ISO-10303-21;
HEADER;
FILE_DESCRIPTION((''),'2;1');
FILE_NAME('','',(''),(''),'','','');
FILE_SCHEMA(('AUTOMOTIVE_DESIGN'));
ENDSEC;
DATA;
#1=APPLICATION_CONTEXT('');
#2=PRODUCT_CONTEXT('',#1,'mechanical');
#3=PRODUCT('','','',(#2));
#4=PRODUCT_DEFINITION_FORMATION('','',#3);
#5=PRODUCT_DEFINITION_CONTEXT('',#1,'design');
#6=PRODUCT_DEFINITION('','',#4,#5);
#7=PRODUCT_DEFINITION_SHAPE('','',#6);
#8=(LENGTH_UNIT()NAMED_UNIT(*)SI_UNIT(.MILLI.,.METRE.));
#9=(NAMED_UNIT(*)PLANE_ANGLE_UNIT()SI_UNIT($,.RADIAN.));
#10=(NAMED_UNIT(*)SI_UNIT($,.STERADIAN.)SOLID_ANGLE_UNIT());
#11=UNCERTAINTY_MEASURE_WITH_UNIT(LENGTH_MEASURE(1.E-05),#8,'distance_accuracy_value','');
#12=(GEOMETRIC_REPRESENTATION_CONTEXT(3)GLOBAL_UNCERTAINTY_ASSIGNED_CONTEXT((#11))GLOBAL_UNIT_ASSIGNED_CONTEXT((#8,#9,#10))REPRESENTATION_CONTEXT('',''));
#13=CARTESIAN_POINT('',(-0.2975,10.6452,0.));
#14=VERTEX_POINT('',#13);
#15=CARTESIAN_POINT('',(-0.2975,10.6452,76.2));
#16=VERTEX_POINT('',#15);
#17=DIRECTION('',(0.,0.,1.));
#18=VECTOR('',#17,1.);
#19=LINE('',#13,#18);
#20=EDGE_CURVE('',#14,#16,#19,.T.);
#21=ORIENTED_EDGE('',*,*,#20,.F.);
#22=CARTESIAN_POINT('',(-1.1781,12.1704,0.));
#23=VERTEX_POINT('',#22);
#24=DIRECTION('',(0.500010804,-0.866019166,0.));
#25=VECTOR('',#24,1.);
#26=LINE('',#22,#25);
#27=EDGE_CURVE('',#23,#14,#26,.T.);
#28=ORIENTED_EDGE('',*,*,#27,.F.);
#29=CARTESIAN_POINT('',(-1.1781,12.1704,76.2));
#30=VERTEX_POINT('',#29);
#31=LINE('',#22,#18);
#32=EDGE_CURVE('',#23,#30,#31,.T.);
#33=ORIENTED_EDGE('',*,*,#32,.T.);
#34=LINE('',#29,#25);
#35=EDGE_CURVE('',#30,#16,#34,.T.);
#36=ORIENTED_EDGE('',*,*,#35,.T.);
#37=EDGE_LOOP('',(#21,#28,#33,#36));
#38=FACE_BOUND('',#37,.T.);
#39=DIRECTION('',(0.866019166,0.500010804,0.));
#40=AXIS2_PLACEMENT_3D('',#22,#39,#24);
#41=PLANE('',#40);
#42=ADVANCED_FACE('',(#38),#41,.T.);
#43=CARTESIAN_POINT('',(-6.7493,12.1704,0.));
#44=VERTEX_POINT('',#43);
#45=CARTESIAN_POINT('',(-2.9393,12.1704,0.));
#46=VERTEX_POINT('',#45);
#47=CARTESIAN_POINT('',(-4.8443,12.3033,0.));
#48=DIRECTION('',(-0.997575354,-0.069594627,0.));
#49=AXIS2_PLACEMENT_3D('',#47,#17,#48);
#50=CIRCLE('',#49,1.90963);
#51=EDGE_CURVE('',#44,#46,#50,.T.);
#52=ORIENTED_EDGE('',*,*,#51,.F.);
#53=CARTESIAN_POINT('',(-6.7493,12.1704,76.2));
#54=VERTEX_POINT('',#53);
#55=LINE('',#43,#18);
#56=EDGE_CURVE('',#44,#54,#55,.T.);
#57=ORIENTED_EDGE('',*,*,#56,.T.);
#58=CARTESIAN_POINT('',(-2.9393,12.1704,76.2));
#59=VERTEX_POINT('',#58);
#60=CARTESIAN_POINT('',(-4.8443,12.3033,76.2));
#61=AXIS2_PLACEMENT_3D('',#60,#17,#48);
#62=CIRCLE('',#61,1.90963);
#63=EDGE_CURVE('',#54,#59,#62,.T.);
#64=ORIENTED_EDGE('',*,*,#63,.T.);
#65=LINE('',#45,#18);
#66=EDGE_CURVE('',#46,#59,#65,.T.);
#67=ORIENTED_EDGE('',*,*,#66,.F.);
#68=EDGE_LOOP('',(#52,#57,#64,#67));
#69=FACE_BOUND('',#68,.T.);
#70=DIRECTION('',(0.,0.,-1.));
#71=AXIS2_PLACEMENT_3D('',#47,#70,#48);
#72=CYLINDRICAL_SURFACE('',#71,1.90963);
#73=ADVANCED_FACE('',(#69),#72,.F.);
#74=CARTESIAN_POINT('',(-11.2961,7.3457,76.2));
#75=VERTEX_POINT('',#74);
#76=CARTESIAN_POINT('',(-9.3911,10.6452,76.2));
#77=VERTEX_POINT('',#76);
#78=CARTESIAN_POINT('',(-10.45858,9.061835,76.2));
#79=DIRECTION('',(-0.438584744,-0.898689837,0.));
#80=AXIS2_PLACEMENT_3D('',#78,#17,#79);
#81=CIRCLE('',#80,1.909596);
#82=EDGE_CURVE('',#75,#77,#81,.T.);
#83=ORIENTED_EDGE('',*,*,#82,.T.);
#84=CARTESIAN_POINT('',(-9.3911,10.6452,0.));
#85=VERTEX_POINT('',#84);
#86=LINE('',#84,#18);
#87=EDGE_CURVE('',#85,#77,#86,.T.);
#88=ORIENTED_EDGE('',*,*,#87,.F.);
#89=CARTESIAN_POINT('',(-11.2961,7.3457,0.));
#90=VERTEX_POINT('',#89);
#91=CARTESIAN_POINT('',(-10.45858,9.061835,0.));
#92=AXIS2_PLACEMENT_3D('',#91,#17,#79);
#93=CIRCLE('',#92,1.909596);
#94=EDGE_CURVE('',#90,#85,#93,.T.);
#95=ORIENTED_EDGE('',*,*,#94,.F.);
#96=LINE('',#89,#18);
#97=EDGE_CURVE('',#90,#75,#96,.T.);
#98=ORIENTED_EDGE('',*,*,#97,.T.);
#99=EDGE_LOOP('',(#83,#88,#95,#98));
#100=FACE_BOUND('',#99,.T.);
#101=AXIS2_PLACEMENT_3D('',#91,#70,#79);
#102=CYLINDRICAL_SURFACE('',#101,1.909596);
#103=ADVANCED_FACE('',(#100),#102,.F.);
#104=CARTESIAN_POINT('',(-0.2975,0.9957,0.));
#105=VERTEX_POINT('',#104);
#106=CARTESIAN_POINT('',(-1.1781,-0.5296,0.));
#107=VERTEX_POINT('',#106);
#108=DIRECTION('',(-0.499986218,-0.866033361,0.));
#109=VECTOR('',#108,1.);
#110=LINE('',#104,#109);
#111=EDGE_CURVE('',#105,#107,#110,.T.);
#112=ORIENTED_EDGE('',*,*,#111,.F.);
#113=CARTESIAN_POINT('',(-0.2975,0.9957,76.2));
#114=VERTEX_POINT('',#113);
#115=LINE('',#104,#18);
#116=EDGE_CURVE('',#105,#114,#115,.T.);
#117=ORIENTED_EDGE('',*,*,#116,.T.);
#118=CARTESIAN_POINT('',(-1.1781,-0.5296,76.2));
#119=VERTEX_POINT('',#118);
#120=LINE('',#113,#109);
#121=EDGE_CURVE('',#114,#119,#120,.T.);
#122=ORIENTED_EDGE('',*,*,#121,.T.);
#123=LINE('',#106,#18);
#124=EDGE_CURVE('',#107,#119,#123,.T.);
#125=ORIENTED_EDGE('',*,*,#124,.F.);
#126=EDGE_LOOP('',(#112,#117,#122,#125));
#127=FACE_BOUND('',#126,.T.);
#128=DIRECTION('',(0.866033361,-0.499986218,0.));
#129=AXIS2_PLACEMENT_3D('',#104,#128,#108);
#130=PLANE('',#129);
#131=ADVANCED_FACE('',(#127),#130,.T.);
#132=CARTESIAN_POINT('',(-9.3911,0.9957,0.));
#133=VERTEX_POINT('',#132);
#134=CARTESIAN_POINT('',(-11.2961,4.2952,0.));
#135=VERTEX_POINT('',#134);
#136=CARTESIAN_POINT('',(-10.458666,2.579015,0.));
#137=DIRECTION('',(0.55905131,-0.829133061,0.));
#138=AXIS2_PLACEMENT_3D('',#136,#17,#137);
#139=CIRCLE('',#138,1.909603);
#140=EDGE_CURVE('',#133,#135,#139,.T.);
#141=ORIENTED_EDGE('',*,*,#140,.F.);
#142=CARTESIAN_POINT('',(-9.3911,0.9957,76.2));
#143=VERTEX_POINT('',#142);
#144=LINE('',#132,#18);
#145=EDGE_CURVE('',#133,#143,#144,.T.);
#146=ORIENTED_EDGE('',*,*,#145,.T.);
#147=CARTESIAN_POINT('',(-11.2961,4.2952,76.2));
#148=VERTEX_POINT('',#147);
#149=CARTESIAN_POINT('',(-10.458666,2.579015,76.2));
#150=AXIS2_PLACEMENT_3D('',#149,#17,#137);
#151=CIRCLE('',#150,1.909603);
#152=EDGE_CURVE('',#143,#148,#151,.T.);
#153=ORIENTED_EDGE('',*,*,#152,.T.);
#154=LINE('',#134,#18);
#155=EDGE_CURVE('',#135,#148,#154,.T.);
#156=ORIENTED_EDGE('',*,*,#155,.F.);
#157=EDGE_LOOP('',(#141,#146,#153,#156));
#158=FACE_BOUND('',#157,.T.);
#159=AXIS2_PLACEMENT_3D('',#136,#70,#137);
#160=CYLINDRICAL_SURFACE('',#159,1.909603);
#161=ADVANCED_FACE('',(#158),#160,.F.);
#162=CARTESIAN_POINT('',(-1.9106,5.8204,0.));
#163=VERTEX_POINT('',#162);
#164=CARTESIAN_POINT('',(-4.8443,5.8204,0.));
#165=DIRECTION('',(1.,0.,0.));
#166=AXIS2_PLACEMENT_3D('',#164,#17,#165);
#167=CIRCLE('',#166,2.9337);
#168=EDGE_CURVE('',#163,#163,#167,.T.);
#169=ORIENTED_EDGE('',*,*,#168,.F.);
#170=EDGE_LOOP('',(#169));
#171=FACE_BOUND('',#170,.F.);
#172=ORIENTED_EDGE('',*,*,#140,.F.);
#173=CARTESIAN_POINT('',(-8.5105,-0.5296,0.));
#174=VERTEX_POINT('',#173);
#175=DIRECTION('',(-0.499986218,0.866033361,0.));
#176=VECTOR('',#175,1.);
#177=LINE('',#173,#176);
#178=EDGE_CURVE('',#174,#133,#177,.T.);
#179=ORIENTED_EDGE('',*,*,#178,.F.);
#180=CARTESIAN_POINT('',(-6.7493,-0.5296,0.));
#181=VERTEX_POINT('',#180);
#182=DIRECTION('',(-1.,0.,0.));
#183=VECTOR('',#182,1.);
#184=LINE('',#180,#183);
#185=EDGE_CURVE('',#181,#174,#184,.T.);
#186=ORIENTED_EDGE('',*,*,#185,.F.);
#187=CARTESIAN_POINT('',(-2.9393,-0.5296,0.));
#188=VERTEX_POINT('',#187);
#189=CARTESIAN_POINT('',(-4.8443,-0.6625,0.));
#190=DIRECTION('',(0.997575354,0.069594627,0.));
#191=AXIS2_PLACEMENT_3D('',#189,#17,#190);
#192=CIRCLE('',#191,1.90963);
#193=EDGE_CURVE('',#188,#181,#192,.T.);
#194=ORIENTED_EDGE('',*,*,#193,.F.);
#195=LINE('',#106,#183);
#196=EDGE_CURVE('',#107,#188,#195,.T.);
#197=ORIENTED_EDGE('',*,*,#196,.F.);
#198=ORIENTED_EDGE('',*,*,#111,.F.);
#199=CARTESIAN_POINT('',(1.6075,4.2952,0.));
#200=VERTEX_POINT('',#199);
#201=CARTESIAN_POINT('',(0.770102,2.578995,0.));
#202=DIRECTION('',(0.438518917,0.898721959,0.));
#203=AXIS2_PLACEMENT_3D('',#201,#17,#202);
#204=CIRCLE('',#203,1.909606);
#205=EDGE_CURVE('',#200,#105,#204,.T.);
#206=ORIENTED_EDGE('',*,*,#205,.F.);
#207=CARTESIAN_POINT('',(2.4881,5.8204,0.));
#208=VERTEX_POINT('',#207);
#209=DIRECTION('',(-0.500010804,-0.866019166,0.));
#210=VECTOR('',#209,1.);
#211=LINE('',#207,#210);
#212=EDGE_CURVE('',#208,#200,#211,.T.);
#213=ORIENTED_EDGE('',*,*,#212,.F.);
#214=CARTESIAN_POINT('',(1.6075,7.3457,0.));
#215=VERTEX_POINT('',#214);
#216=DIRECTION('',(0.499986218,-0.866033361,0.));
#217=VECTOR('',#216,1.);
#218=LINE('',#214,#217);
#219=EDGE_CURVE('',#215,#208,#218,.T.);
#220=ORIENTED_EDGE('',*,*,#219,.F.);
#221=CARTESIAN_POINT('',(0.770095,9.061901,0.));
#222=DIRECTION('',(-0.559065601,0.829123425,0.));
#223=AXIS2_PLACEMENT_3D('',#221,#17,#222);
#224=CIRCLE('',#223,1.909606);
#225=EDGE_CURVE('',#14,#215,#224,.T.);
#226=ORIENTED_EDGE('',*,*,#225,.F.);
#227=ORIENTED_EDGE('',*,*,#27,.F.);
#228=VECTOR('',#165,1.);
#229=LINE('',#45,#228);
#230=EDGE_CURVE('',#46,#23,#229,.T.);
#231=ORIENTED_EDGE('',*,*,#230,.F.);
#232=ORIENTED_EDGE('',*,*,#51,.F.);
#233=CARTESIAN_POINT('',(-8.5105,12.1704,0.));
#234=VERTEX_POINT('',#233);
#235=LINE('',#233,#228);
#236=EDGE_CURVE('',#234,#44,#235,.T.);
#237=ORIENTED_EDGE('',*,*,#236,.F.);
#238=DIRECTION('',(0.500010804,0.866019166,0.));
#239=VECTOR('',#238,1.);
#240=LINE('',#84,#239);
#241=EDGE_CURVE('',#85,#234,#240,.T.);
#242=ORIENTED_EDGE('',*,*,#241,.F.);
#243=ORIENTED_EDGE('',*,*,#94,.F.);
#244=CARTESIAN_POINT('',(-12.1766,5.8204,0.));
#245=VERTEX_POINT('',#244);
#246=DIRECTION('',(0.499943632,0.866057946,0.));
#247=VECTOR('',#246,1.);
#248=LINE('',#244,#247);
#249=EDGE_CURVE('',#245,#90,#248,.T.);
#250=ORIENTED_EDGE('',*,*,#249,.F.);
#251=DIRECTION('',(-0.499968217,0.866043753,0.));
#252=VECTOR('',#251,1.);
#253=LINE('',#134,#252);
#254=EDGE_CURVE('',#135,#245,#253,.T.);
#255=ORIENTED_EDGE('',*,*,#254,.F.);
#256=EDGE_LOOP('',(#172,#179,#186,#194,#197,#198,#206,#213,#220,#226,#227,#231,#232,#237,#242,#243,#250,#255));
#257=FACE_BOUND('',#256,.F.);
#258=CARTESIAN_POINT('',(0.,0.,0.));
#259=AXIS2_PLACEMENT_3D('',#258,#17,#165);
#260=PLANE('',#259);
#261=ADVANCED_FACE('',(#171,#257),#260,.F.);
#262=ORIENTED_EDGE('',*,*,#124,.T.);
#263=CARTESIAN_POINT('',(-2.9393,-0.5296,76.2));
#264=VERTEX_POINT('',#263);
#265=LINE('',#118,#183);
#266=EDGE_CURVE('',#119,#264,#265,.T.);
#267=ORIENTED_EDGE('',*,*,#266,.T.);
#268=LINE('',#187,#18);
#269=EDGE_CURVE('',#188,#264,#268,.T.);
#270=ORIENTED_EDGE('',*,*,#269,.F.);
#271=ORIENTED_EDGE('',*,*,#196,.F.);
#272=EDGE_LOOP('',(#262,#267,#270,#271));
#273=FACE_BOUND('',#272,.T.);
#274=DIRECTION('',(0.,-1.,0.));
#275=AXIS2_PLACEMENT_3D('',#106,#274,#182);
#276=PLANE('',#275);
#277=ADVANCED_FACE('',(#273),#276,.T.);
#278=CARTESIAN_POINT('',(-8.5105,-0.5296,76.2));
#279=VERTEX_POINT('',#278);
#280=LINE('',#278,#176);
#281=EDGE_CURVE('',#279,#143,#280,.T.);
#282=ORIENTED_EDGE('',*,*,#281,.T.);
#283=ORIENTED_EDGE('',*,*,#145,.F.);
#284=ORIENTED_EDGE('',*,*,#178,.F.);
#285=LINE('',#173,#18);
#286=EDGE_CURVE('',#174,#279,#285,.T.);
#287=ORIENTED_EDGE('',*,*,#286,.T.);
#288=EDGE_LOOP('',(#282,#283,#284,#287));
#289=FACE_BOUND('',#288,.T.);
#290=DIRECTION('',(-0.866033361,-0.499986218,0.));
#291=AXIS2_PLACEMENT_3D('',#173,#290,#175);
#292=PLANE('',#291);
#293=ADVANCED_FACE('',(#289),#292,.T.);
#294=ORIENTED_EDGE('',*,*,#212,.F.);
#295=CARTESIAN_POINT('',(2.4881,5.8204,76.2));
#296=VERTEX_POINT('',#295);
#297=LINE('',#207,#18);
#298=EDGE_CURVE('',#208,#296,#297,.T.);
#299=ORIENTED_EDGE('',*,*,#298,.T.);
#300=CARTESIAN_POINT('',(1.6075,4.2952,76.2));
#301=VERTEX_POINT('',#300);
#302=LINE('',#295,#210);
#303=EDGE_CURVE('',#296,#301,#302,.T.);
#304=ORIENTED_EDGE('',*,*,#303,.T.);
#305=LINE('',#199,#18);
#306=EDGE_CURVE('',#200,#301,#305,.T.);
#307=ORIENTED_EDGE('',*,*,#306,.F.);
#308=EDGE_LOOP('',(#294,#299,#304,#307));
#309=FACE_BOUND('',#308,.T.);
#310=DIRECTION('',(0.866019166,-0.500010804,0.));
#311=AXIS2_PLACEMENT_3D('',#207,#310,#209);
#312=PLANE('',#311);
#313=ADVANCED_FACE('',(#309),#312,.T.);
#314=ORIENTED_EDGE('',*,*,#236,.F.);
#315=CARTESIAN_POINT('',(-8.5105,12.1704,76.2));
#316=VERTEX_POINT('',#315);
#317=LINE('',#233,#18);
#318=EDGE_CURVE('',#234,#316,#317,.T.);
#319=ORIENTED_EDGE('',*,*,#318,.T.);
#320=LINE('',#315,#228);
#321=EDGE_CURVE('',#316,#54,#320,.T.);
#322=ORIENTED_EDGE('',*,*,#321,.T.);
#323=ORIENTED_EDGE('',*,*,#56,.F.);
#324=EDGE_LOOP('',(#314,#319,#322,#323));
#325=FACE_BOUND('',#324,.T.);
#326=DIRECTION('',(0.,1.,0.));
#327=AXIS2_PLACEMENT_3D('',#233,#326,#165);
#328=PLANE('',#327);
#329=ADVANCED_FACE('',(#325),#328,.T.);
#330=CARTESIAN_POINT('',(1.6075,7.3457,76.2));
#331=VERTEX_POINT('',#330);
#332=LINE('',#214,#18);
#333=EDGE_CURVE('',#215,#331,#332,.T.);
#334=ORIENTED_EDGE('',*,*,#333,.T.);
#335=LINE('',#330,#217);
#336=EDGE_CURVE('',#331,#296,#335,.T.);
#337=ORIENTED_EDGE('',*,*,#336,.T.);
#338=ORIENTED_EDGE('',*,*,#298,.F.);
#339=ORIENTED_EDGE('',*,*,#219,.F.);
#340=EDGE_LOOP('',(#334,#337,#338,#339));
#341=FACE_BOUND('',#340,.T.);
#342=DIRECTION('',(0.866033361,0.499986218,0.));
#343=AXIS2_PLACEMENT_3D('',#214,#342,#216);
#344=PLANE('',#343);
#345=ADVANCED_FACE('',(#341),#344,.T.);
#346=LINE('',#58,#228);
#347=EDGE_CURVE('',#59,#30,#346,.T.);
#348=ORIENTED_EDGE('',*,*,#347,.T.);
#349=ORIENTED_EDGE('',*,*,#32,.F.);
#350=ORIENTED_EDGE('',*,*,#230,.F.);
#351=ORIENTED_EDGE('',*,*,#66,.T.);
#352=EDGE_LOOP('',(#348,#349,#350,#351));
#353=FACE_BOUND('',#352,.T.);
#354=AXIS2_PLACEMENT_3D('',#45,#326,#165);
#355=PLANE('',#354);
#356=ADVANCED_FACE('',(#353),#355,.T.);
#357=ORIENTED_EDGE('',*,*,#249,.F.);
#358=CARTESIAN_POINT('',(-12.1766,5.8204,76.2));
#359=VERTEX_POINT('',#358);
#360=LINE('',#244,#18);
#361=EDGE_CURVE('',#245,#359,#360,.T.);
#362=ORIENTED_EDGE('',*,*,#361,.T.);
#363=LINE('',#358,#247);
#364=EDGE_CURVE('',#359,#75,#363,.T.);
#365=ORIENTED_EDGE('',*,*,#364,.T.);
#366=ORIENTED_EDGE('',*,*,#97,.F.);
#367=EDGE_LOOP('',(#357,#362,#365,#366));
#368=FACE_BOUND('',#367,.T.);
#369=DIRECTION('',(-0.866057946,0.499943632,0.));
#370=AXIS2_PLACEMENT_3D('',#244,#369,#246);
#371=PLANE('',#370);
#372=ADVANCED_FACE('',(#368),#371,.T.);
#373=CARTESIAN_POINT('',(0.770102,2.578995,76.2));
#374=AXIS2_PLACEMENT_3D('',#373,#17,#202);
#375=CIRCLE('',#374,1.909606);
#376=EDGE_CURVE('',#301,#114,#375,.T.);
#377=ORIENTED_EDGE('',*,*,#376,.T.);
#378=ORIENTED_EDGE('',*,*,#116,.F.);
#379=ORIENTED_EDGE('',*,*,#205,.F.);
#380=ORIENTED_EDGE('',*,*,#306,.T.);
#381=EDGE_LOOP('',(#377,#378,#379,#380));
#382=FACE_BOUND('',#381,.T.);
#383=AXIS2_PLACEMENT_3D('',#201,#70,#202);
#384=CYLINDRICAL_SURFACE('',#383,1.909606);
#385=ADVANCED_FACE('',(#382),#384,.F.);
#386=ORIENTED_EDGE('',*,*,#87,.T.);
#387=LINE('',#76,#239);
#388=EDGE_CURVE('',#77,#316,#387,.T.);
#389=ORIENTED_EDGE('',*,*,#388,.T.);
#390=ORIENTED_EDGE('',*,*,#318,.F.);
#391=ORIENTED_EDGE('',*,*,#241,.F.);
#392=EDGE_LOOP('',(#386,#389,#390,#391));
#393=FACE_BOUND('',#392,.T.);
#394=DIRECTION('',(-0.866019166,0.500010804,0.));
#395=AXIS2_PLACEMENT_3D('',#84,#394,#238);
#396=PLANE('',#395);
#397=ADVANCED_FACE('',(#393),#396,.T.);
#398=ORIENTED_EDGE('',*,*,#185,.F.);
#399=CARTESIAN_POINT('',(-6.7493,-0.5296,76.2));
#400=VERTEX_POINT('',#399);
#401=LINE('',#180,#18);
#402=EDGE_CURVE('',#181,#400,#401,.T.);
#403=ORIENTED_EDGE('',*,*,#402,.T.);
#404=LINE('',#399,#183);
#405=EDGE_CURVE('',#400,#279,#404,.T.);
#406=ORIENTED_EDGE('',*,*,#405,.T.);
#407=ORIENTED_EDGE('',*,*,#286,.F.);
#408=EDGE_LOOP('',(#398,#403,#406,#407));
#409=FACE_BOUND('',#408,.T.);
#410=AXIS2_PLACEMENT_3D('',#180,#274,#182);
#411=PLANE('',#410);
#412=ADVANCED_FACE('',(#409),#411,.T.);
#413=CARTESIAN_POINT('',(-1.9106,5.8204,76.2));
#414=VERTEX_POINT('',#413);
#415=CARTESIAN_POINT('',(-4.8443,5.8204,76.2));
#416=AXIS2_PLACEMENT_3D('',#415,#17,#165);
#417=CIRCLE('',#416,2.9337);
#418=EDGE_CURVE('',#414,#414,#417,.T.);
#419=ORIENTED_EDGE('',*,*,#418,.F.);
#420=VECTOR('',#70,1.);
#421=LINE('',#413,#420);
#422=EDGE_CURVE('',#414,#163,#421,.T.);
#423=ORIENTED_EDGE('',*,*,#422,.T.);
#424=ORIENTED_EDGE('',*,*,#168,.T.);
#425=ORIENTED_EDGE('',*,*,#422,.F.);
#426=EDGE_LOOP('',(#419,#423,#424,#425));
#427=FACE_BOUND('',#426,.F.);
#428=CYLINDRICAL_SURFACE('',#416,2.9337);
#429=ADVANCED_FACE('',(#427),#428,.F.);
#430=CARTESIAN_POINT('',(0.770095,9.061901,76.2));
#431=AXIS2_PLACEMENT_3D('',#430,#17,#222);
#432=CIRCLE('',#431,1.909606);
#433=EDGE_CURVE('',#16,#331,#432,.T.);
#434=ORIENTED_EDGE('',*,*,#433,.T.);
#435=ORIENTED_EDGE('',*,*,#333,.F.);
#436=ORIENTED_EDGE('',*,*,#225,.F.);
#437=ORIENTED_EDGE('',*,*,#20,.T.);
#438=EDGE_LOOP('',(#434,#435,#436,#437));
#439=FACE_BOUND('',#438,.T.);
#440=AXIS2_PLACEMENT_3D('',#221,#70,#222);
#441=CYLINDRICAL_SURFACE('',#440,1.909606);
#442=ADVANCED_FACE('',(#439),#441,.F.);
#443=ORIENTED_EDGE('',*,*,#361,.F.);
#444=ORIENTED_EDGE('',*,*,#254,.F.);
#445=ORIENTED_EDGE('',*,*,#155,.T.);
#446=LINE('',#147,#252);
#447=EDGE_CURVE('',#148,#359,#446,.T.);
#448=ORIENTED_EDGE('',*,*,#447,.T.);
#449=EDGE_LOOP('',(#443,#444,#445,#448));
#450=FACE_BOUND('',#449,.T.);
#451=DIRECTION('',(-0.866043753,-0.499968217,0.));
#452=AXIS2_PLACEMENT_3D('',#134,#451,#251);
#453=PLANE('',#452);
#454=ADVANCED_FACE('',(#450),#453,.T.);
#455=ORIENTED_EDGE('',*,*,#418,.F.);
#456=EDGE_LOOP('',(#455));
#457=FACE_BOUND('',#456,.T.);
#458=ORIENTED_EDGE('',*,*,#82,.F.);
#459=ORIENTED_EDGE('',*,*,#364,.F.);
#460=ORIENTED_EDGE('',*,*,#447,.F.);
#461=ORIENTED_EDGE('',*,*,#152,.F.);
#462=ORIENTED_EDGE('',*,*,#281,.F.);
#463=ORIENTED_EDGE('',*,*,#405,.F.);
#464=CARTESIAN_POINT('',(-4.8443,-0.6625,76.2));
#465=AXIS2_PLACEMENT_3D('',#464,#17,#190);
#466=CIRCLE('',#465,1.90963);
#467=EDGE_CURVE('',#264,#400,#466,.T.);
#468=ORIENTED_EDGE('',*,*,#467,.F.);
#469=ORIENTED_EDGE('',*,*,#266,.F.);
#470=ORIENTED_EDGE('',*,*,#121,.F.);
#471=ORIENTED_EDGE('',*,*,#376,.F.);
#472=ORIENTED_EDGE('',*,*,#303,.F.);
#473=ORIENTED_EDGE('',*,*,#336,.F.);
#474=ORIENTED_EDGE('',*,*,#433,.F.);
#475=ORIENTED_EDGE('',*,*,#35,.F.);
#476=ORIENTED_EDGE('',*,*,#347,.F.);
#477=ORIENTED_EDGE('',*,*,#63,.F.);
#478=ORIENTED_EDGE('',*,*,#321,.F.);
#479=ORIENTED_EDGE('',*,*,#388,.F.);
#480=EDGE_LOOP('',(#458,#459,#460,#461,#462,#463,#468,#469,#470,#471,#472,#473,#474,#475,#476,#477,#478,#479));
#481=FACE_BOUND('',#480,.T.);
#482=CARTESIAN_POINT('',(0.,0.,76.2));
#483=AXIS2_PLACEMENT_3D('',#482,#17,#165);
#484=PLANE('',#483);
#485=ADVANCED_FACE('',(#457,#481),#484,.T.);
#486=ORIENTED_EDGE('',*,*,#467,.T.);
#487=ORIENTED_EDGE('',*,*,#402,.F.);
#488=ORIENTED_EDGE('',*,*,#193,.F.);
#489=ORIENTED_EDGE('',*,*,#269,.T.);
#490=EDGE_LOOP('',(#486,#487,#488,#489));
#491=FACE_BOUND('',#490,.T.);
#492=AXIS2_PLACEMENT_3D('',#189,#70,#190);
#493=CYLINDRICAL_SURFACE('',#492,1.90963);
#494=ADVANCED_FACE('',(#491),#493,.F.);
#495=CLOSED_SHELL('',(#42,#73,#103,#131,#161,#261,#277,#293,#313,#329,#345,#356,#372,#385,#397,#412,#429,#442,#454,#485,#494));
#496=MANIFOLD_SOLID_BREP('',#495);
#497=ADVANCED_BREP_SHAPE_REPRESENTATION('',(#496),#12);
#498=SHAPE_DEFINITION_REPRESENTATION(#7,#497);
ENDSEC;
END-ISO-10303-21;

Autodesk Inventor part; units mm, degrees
ref_plane "YZ Plane" through (0, 0, 0) normal (1, 0, 0) x (0, 1, 0)
ref_plane "XZ Plane" through (0, 0, 0) normal (0, 1, 0) x (-1, 0, 0)
ref_plane "XY Plane" through (0, 0, 0) normal (0, 0, 1) x (1, 0, 0)
sketch "Sketch1" plane through (0, 0, 0) normal (0, 0, 1) x (1, 0, 0)
  circle A0 centre (-4.8443, 5.8204) radius 6.35 construction
  arc A1 (-6.7493, 12.1704) -> (-2.9393, 12.1704) centre (-4.8443, 12.3033) ccw
  line L0 (-8.5105, 12.1704) -> (-6.7493, 12.1704)
  line L1 (-2.9393, 12.1704) -> (-1.1781, 12.1704)
  arc A2 (-0.2975, 10.6452) -> (1.6075, 7.3457) centre (0.7701, 9.0619) ccw
  arc A3 (1.6075, 4.2952) -> (-0.2975, 0.9957) centre (0.7701, 2.579) ccw
  arc A4 (-2.9393, -0.5296) -> (-6.7493, -0.5296) centre (-4.8443, -0.6625) ccw
  arc A5 (-9.3911, 0.9957) -> (-11.2961, 4.2952) centre (-10.4586, 2.579) ccw
  arc A6 (-11.2961, 7.3457) -> (-9.3911, 10.6452) centre (-10.4586, 9.0619) ccw
  line L2 (-12.1766, 5.8204) -> (-11.2961, 7.3457)
  line L3 (-8.5105, -0.5296) -> (-9.3911, 0.9957)
  line L4 (-1.1781, -0.5296) -> (-2.9393, -0.5296)
  line L5 (2.4881, 5.8204) -> (1.6075, 4.2952)
  line L6 (-1.1781, 12.1704) -> (-0.2975, 10.6452)
  line L7 (-9.3911, 10.6452) -> (-8.5105, 12.1704)
  line L8 (-11.2961, 4.2952) -> (-12.1766, 5.8204)
  line L9 (-6.7493, -0.5296) -> (-8.5105, -0.5296)
  line L10 (-0.2975, 0.9957) -> (-1.1781, -0.5296)
  line L11 (1.6075, 7.3457) -> (2.4881, 5.8204)
  point P0 (0, 0)
  point P1 (-4.8443, -0.5296)
  point P2 (-4.8443, 12.1704)
  point P3 (0.655, 8.9954)
  point P4 (0.655, 2.6454)
  point P5 (-4.8443, -0.5296)
  point P6 (-10.3436, 2.6454)
  point P7 (-10.3436, 8.9954)
  point P8 (-0.2975, 10.6452)
  point P9 (-9.3911, 10.6452)
  point P10 (-11.2961, 4.2952)
  point P11 (-9.3911, 0.9957)
  point P12 (-6.7493, -0.5296)
  point P13 (-2.9393, -0.5296)
  point P14 (1.6075, 7.3457)
  dimension "d2" = 12.7
  dimension "d7" = 360
  dimension "d11" = 360
  dimension "d15" = 360
extrude "Extrusion1" add sketch "Sketch1" along normal blind 76.2
sketch "Sketch2" plane through (0, 0, 76.2) normal (0, 0, 1) x (1, 0, 0)
  circle A0 centre (-4.8443, 5.8204) radius 2.9337
  line L0 (-8.5105, -0.5296) -> (-6.7493, -0.5296) projected
  line L1 (-8.5105, 12.1704) -> (-8.5105, -0.5296) construction
  line L2 (-1.1781, 12.1704) -> (-2.9393, 12.1704) projected
  line L3 (-2.9393, -0.5296) -> (-1.1781, -0.5296) projected
  line L4 (-1.1781, 12.1704) -> (-1.1781, -0.5296) construction
  line L5 (-4.8443, 9.4005) -> (-4.8443, 3.0295) construction
  point P0 (0, 0)
  dimension "d19" = 6.35
  dimension "d20" = 5.8674
extrude "Extrusion2" cut sketch "Sketch2" against normal blind 76.2
equation "\"d17\" = d23"
equation "\"d21\" = d23"
equation "\"d23\" = 76.2"
properties part number "Churro 3in"
